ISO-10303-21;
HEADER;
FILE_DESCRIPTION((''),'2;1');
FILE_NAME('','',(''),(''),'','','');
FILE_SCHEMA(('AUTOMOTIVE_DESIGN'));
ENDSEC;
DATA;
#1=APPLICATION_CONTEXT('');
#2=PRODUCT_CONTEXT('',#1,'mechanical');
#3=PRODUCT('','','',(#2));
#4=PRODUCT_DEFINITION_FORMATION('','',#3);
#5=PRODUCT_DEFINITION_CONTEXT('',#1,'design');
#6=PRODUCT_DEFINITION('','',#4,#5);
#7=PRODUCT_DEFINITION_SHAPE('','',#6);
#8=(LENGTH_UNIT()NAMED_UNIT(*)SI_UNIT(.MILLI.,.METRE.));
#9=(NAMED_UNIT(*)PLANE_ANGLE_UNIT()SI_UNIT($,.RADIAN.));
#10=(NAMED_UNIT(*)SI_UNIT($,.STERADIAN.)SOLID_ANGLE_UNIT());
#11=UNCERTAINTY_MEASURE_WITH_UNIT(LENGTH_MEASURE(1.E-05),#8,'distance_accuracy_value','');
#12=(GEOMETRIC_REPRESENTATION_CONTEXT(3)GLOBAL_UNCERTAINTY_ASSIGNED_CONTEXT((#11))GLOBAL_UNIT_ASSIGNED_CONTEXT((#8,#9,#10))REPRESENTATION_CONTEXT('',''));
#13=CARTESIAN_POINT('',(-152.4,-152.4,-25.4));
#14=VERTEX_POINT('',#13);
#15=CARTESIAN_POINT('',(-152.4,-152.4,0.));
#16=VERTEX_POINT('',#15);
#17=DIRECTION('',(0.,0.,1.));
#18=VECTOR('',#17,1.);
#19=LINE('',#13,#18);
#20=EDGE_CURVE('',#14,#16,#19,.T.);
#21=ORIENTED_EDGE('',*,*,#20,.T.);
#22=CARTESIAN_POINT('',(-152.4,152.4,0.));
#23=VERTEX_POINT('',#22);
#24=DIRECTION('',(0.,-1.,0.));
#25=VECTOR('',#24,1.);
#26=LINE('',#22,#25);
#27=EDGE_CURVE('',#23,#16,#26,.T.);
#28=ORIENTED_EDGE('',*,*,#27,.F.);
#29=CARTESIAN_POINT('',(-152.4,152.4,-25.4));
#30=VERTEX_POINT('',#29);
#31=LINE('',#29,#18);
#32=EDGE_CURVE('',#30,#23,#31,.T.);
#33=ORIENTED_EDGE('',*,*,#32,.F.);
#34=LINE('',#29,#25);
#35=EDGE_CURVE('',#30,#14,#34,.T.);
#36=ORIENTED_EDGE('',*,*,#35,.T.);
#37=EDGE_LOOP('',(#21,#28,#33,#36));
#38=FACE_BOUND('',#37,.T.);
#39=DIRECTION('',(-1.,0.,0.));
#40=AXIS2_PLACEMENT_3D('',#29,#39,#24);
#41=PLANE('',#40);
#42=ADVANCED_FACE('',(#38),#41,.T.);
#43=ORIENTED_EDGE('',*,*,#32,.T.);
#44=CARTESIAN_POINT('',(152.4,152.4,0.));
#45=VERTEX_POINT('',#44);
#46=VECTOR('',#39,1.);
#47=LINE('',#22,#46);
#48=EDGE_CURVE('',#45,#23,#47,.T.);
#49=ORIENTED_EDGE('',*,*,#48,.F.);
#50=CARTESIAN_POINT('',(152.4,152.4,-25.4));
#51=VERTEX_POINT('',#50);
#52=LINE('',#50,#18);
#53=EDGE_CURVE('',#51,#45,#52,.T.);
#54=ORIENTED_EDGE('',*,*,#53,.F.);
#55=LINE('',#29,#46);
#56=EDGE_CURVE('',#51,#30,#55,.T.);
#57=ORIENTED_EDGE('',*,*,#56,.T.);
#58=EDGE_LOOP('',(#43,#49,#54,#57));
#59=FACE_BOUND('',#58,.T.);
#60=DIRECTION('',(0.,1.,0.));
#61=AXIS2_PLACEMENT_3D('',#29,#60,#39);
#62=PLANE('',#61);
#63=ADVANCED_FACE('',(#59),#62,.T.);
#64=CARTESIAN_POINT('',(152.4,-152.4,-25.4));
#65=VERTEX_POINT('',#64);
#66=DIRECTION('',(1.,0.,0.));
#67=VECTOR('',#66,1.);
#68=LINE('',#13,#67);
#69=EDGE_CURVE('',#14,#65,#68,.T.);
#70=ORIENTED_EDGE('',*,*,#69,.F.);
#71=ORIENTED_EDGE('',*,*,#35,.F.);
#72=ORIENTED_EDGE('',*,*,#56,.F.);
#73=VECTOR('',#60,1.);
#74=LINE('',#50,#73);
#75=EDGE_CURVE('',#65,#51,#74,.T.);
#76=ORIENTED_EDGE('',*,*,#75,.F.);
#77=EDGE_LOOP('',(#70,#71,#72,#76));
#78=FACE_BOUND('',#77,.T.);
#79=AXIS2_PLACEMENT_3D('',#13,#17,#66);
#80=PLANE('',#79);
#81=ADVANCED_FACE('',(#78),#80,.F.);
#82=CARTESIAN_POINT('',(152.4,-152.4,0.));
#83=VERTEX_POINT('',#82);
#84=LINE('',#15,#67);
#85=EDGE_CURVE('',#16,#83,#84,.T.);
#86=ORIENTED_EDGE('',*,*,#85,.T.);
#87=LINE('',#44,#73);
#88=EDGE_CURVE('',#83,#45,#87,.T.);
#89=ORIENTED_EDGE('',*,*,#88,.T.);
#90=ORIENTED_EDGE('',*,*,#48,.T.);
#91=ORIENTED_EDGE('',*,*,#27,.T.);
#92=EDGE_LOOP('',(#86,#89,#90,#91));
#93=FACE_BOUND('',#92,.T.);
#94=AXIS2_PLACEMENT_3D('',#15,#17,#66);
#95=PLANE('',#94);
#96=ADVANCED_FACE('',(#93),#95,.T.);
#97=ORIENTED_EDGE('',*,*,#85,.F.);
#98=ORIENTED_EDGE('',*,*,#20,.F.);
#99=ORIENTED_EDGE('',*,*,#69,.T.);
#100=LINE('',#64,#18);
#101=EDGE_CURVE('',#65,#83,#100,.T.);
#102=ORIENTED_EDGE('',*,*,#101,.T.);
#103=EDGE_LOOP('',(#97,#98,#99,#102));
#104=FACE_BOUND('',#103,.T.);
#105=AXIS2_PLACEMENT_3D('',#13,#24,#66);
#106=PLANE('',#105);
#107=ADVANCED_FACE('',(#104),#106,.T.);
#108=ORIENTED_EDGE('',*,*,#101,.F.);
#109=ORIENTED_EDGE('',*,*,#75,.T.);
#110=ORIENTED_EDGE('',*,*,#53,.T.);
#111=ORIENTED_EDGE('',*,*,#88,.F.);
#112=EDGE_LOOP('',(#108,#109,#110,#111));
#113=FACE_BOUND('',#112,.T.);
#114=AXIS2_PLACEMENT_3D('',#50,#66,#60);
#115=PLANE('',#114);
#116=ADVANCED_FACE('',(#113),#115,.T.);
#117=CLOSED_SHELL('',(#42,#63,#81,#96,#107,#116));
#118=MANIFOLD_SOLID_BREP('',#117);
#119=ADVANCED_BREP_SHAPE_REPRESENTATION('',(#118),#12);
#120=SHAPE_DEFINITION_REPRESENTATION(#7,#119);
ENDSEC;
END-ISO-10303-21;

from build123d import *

# Parameters (mm, degrees)
SKETCH1_W      = 304.8
SKETCH1_H      = 304.8
EXTRUDE1_DEPTH = 25.4


with BuildPart() as part:
    # Sketch1 → Extrude1 (new body)
    with BuildSketch(Plane.XY):
        Rectangle(SKETCH1_W, SKETCH1_H)
    extrude(amount=-EXTRUDE1_DEPTH)


solid = part.part
